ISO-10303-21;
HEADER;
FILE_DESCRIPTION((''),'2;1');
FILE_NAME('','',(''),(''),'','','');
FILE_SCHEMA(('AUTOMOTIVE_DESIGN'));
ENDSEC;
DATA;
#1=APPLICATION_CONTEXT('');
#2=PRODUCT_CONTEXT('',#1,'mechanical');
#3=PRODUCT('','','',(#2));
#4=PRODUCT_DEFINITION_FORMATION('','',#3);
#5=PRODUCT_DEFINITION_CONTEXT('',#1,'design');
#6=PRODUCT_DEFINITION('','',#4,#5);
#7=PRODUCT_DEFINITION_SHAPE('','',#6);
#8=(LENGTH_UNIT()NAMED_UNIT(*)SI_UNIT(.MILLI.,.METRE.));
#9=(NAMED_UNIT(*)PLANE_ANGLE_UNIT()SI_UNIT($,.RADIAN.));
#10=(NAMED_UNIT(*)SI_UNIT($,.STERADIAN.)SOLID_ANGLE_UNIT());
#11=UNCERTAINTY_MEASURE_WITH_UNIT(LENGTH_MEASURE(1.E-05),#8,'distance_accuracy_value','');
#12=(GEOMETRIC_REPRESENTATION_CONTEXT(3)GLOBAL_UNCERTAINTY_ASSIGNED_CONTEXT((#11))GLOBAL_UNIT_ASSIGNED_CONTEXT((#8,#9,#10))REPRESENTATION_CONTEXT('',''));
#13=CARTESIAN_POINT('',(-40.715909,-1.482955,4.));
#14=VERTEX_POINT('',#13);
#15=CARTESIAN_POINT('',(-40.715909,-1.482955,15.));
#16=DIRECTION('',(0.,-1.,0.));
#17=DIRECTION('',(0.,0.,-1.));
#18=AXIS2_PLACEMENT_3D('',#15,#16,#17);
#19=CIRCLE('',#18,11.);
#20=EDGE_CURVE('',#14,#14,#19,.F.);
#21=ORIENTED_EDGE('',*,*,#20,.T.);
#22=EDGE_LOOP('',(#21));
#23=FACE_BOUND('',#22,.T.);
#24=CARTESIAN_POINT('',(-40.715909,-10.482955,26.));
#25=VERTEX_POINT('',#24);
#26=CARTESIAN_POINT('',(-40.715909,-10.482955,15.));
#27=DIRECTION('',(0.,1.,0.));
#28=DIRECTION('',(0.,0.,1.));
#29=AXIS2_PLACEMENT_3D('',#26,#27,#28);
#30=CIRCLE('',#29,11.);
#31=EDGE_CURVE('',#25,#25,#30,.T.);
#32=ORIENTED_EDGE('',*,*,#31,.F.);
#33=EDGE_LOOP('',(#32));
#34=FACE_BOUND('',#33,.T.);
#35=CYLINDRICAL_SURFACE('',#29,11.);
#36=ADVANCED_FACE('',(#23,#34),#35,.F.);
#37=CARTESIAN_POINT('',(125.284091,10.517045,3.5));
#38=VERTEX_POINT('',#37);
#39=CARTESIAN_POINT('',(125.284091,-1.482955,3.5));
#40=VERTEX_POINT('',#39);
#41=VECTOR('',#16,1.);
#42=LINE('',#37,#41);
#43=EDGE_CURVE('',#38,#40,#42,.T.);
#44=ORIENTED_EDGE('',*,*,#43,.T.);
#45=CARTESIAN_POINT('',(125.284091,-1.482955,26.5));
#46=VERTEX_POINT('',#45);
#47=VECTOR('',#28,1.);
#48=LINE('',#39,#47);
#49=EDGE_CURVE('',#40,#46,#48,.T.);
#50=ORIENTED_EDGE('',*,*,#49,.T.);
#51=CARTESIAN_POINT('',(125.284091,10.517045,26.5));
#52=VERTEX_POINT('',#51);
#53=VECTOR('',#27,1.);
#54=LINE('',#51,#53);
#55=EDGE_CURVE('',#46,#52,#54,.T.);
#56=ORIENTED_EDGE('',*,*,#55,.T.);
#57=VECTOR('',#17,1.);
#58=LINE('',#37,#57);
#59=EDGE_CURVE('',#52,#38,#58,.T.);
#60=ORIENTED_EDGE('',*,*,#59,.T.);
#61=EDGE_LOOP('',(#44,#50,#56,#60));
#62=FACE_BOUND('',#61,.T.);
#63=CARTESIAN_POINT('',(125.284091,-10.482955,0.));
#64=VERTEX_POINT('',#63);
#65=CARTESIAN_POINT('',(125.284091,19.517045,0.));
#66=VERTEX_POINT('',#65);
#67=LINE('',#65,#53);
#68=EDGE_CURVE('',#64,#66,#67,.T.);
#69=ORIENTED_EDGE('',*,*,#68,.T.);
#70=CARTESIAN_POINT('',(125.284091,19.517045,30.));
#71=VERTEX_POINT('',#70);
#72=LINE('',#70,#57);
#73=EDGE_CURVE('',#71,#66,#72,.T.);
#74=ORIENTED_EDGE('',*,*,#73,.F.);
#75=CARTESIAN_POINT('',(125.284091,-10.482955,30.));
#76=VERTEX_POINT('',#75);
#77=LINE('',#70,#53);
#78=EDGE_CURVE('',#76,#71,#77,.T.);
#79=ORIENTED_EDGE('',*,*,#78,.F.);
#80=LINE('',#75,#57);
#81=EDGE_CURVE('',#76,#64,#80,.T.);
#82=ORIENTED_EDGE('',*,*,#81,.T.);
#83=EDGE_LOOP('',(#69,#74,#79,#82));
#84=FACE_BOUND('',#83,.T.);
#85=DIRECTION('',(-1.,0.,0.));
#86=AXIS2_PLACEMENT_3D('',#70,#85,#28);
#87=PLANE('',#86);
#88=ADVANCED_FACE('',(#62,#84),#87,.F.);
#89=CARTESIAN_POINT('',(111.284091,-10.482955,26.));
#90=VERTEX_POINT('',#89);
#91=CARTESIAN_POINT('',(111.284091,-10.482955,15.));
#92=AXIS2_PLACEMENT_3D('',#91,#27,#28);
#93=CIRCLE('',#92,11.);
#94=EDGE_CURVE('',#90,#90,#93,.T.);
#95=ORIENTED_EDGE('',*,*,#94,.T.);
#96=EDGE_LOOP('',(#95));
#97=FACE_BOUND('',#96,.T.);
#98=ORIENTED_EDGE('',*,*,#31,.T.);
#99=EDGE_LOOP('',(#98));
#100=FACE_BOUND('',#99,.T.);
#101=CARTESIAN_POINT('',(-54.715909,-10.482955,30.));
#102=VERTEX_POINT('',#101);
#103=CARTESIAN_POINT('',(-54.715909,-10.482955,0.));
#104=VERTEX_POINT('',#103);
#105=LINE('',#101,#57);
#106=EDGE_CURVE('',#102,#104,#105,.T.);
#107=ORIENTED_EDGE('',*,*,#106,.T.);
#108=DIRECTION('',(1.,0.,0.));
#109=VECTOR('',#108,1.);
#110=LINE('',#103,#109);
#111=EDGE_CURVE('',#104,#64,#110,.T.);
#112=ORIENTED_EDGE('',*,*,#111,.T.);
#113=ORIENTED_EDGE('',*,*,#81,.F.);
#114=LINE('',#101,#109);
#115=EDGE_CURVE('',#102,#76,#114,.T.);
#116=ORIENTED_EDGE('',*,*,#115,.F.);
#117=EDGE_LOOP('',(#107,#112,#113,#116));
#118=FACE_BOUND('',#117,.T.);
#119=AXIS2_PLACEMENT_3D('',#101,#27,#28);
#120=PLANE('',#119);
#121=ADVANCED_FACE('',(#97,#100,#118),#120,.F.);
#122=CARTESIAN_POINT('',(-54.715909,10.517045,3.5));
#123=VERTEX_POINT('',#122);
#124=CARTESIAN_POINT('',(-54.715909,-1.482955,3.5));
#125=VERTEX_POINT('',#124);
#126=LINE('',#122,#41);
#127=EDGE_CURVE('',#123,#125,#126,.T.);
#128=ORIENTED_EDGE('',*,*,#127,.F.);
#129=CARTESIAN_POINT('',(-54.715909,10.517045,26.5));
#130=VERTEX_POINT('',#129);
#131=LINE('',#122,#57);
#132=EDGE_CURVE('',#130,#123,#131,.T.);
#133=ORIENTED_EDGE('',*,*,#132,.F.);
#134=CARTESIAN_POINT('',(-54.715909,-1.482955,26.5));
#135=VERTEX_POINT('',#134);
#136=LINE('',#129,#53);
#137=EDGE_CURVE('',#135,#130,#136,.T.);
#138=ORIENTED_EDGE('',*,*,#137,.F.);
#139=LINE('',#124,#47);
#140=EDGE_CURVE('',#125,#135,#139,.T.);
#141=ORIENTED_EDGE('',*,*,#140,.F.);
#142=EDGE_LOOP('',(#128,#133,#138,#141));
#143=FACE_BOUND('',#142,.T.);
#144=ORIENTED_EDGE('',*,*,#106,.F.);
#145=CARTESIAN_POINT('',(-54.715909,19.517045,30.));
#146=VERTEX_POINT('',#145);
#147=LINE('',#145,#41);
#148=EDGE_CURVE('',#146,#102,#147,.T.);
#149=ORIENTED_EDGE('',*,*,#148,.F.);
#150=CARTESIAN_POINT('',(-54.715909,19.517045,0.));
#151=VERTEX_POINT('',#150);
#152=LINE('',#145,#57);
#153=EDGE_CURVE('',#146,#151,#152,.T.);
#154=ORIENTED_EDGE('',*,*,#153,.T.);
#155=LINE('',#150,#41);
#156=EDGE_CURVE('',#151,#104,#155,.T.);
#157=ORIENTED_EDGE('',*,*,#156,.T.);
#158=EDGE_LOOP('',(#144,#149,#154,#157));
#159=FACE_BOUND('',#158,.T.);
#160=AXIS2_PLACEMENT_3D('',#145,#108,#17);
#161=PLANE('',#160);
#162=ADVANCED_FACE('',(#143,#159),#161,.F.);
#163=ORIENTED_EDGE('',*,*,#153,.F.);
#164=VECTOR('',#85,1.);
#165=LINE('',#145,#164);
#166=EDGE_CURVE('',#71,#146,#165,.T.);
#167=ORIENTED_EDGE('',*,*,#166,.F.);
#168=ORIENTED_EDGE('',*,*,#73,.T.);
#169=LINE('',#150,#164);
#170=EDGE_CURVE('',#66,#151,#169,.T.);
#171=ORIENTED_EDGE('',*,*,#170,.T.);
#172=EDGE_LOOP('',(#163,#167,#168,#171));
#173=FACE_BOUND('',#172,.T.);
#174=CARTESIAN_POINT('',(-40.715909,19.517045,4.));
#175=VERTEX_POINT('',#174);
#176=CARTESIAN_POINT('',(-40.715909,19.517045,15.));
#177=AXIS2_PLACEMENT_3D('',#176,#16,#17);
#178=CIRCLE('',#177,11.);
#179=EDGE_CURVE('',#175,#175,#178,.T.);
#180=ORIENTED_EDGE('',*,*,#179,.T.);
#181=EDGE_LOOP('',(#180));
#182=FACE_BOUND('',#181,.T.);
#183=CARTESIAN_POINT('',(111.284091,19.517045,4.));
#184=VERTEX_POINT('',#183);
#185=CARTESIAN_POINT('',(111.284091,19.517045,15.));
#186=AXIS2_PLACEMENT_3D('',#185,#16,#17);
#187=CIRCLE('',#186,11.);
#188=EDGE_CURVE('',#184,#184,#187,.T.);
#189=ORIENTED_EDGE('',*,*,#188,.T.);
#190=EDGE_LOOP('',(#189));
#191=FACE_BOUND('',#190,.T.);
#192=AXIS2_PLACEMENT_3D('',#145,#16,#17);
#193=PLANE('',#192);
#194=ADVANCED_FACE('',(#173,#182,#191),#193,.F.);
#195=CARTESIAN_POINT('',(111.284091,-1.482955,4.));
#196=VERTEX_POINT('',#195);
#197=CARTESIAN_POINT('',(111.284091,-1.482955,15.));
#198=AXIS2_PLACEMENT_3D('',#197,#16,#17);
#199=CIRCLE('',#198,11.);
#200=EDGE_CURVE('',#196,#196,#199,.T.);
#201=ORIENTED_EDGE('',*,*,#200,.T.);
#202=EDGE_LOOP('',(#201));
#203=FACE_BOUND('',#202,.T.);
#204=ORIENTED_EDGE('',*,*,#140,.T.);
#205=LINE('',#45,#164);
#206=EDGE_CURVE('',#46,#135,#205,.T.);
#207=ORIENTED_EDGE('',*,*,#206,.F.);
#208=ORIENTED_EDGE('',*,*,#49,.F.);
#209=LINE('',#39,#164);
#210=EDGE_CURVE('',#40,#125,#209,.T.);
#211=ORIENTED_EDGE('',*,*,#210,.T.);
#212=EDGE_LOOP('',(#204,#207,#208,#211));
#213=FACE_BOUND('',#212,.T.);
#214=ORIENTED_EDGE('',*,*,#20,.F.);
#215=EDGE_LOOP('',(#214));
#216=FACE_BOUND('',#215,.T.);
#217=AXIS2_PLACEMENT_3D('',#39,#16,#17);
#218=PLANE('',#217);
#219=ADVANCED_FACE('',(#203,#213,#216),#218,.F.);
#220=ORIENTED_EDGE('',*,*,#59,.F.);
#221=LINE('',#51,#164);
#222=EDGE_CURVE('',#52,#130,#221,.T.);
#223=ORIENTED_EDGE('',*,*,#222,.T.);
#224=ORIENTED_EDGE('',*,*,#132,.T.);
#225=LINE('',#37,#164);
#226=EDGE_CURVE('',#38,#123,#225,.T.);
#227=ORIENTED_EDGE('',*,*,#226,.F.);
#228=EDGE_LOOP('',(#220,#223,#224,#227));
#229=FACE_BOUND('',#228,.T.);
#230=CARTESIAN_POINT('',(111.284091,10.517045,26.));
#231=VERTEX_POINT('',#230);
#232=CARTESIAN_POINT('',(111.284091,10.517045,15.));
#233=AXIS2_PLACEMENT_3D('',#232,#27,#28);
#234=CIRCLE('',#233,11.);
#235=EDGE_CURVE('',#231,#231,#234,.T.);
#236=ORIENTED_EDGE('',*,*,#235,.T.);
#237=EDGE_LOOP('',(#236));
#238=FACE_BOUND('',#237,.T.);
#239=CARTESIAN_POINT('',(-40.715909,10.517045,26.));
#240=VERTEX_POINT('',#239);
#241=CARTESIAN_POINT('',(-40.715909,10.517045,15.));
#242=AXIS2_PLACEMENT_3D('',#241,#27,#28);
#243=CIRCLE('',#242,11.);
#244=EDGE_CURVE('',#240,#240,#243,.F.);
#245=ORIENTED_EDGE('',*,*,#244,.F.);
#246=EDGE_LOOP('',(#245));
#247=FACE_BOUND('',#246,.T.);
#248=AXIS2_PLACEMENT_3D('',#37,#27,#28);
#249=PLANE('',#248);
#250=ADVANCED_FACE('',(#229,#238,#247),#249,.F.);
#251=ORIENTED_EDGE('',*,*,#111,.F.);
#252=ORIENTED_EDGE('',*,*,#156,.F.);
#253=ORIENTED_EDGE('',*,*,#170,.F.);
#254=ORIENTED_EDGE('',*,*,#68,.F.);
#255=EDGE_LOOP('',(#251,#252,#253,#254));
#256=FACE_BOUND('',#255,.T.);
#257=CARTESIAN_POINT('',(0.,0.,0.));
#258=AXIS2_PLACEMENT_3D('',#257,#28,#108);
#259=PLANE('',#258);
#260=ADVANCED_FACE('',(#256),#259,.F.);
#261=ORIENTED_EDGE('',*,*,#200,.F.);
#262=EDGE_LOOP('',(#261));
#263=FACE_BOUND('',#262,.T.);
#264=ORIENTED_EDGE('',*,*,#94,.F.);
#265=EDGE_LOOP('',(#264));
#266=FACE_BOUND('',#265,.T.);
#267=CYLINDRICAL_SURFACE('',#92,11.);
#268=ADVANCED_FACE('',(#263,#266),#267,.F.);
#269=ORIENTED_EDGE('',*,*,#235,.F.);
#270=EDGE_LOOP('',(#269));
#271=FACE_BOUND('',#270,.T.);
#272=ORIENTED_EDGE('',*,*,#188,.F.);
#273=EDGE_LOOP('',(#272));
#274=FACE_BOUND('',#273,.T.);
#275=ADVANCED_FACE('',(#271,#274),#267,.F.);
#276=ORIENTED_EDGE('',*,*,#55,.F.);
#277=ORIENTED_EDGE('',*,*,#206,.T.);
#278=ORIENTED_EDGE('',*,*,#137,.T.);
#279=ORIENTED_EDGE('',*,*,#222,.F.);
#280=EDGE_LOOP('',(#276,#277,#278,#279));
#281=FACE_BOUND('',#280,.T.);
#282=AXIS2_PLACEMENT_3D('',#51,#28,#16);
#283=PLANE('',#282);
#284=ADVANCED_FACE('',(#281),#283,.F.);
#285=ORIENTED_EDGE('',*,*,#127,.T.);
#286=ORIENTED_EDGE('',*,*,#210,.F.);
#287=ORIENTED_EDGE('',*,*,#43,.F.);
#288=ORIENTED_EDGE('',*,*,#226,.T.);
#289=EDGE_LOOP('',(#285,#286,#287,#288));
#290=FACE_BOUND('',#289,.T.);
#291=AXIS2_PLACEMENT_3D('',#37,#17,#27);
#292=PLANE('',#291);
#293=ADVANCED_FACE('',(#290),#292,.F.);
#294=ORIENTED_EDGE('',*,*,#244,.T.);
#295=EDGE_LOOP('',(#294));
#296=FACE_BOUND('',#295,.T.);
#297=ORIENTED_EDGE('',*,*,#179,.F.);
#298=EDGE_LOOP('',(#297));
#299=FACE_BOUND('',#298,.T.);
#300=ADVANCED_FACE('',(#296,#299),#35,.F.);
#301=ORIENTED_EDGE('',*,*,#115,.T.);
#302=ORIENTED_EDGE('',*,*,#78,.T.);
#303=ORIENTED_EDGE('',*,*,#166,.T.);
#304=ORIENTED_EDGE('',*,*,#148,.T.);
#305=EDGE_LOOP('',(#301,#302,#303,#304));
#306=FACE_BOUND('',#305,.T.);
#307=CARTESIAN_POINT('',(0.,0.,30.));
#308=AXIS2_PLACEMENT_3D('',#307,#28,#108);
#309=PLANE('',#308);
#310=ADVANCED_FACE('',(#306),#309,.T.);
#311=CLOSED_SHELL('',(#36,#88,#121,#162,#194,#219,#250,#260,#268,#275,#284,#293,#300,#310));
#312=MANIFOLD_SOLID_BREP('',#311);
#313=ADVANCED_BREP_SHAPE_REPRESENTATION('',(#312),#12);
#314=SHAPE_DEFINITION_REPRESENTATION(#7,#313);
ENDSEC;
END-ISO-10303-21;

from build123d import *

# Parameters (mm, degrees)
SKETCH1_W               = 180
SKETCH1_H               = 30
BOSS_EXTRUDE1_DEPTH     = 30
SKETCH2_R               = 11
CUT_EXTRUDE1_DEPTH      = 1
CUT_EXTRUDE1_DEPTH_BACK = 31
SKETCH3_W               = 23
SKETCH3_H               = 12
CUT_EXTRUDE2_DEPTH      = 1
CUT_EXTRUDE2_DEPTH_BACK = 181
SKETCH6_R               = 11
CUT_EXTRUDE5_DEPTH      = 1
CUT_EXTRUDE5_DEPTH_BACK = 31


with BuildPart() as part:
    # Sketch1 → Boss-Extrude1 (new body)
    with BuildSketch(Plane.XY):
        with Locations((35.284090909, 4.517045455)):
            Rectangle(SKETCH1_W, SKETCH1_H)
    extrude(amount=BOSS_EXTRUDE1_DEPTH)

    # Sketch2 → Cut-Extrude1 (cut, two sides)
    with BuildSketch(Plane(origin=(0, 19.517045455, 0), x_dir=(1, 0, 0), z_dir=(0, 1, 0))) as cut_extrude1_sk:
        with Locations((-40.715909091, -15)):
            Circle(SKETCH2_R)
    extrude(amount=CUT_EXTRUDE1_DEPTH, mode=Mode.SUBTRACT)
    extrude(cut_extrude1_sk.sketch, amount=-CUT_EXTRUDE1_DEPTH_BACK, mode=Mode.SUBTRACT)

    # Sketch3 → Cut-Extrude2 (cut, two sides)
    with BuildSketch(Plane.ZY.offset(54.715909091)) as cut_extrude2_sk:
        with Locations((15, 4.517045455)):
            Rectangle(SKETCH3_W, SKETCH3_H)
    extrude(amount=CUT_EXTRUDE2_DEPTH, mode=Mode.SUBTRACT)
    extrude(cut_extrude2_sk.sketch, amount=-CUT_EXTRUDE2_DEPTH_BACK, mode=Mode.SUBTRACT)

    # Sketch6 → Cut-Extrude5 (cut, two sides)
    with BuildSketch(Plane(origin=(0, 19.517045455, 0), x_dir=(1, 0, 0), z_dir=(0, 1, 0))) as cut_extrude5_sk:
        with Locations((111.284090909, -15)):
            Circle(SKETCH6_R)
    extrude(amount=CUT_EXTRUDE5_DEPTH, mode=Mode.SUBTRACT)
    extrude(cut_extrude5_sk.sketch, amount=-CUT_EXTRUDE5_DEPTH_BACK, mode=Mode.SUBTRACT)


solid = part.part
